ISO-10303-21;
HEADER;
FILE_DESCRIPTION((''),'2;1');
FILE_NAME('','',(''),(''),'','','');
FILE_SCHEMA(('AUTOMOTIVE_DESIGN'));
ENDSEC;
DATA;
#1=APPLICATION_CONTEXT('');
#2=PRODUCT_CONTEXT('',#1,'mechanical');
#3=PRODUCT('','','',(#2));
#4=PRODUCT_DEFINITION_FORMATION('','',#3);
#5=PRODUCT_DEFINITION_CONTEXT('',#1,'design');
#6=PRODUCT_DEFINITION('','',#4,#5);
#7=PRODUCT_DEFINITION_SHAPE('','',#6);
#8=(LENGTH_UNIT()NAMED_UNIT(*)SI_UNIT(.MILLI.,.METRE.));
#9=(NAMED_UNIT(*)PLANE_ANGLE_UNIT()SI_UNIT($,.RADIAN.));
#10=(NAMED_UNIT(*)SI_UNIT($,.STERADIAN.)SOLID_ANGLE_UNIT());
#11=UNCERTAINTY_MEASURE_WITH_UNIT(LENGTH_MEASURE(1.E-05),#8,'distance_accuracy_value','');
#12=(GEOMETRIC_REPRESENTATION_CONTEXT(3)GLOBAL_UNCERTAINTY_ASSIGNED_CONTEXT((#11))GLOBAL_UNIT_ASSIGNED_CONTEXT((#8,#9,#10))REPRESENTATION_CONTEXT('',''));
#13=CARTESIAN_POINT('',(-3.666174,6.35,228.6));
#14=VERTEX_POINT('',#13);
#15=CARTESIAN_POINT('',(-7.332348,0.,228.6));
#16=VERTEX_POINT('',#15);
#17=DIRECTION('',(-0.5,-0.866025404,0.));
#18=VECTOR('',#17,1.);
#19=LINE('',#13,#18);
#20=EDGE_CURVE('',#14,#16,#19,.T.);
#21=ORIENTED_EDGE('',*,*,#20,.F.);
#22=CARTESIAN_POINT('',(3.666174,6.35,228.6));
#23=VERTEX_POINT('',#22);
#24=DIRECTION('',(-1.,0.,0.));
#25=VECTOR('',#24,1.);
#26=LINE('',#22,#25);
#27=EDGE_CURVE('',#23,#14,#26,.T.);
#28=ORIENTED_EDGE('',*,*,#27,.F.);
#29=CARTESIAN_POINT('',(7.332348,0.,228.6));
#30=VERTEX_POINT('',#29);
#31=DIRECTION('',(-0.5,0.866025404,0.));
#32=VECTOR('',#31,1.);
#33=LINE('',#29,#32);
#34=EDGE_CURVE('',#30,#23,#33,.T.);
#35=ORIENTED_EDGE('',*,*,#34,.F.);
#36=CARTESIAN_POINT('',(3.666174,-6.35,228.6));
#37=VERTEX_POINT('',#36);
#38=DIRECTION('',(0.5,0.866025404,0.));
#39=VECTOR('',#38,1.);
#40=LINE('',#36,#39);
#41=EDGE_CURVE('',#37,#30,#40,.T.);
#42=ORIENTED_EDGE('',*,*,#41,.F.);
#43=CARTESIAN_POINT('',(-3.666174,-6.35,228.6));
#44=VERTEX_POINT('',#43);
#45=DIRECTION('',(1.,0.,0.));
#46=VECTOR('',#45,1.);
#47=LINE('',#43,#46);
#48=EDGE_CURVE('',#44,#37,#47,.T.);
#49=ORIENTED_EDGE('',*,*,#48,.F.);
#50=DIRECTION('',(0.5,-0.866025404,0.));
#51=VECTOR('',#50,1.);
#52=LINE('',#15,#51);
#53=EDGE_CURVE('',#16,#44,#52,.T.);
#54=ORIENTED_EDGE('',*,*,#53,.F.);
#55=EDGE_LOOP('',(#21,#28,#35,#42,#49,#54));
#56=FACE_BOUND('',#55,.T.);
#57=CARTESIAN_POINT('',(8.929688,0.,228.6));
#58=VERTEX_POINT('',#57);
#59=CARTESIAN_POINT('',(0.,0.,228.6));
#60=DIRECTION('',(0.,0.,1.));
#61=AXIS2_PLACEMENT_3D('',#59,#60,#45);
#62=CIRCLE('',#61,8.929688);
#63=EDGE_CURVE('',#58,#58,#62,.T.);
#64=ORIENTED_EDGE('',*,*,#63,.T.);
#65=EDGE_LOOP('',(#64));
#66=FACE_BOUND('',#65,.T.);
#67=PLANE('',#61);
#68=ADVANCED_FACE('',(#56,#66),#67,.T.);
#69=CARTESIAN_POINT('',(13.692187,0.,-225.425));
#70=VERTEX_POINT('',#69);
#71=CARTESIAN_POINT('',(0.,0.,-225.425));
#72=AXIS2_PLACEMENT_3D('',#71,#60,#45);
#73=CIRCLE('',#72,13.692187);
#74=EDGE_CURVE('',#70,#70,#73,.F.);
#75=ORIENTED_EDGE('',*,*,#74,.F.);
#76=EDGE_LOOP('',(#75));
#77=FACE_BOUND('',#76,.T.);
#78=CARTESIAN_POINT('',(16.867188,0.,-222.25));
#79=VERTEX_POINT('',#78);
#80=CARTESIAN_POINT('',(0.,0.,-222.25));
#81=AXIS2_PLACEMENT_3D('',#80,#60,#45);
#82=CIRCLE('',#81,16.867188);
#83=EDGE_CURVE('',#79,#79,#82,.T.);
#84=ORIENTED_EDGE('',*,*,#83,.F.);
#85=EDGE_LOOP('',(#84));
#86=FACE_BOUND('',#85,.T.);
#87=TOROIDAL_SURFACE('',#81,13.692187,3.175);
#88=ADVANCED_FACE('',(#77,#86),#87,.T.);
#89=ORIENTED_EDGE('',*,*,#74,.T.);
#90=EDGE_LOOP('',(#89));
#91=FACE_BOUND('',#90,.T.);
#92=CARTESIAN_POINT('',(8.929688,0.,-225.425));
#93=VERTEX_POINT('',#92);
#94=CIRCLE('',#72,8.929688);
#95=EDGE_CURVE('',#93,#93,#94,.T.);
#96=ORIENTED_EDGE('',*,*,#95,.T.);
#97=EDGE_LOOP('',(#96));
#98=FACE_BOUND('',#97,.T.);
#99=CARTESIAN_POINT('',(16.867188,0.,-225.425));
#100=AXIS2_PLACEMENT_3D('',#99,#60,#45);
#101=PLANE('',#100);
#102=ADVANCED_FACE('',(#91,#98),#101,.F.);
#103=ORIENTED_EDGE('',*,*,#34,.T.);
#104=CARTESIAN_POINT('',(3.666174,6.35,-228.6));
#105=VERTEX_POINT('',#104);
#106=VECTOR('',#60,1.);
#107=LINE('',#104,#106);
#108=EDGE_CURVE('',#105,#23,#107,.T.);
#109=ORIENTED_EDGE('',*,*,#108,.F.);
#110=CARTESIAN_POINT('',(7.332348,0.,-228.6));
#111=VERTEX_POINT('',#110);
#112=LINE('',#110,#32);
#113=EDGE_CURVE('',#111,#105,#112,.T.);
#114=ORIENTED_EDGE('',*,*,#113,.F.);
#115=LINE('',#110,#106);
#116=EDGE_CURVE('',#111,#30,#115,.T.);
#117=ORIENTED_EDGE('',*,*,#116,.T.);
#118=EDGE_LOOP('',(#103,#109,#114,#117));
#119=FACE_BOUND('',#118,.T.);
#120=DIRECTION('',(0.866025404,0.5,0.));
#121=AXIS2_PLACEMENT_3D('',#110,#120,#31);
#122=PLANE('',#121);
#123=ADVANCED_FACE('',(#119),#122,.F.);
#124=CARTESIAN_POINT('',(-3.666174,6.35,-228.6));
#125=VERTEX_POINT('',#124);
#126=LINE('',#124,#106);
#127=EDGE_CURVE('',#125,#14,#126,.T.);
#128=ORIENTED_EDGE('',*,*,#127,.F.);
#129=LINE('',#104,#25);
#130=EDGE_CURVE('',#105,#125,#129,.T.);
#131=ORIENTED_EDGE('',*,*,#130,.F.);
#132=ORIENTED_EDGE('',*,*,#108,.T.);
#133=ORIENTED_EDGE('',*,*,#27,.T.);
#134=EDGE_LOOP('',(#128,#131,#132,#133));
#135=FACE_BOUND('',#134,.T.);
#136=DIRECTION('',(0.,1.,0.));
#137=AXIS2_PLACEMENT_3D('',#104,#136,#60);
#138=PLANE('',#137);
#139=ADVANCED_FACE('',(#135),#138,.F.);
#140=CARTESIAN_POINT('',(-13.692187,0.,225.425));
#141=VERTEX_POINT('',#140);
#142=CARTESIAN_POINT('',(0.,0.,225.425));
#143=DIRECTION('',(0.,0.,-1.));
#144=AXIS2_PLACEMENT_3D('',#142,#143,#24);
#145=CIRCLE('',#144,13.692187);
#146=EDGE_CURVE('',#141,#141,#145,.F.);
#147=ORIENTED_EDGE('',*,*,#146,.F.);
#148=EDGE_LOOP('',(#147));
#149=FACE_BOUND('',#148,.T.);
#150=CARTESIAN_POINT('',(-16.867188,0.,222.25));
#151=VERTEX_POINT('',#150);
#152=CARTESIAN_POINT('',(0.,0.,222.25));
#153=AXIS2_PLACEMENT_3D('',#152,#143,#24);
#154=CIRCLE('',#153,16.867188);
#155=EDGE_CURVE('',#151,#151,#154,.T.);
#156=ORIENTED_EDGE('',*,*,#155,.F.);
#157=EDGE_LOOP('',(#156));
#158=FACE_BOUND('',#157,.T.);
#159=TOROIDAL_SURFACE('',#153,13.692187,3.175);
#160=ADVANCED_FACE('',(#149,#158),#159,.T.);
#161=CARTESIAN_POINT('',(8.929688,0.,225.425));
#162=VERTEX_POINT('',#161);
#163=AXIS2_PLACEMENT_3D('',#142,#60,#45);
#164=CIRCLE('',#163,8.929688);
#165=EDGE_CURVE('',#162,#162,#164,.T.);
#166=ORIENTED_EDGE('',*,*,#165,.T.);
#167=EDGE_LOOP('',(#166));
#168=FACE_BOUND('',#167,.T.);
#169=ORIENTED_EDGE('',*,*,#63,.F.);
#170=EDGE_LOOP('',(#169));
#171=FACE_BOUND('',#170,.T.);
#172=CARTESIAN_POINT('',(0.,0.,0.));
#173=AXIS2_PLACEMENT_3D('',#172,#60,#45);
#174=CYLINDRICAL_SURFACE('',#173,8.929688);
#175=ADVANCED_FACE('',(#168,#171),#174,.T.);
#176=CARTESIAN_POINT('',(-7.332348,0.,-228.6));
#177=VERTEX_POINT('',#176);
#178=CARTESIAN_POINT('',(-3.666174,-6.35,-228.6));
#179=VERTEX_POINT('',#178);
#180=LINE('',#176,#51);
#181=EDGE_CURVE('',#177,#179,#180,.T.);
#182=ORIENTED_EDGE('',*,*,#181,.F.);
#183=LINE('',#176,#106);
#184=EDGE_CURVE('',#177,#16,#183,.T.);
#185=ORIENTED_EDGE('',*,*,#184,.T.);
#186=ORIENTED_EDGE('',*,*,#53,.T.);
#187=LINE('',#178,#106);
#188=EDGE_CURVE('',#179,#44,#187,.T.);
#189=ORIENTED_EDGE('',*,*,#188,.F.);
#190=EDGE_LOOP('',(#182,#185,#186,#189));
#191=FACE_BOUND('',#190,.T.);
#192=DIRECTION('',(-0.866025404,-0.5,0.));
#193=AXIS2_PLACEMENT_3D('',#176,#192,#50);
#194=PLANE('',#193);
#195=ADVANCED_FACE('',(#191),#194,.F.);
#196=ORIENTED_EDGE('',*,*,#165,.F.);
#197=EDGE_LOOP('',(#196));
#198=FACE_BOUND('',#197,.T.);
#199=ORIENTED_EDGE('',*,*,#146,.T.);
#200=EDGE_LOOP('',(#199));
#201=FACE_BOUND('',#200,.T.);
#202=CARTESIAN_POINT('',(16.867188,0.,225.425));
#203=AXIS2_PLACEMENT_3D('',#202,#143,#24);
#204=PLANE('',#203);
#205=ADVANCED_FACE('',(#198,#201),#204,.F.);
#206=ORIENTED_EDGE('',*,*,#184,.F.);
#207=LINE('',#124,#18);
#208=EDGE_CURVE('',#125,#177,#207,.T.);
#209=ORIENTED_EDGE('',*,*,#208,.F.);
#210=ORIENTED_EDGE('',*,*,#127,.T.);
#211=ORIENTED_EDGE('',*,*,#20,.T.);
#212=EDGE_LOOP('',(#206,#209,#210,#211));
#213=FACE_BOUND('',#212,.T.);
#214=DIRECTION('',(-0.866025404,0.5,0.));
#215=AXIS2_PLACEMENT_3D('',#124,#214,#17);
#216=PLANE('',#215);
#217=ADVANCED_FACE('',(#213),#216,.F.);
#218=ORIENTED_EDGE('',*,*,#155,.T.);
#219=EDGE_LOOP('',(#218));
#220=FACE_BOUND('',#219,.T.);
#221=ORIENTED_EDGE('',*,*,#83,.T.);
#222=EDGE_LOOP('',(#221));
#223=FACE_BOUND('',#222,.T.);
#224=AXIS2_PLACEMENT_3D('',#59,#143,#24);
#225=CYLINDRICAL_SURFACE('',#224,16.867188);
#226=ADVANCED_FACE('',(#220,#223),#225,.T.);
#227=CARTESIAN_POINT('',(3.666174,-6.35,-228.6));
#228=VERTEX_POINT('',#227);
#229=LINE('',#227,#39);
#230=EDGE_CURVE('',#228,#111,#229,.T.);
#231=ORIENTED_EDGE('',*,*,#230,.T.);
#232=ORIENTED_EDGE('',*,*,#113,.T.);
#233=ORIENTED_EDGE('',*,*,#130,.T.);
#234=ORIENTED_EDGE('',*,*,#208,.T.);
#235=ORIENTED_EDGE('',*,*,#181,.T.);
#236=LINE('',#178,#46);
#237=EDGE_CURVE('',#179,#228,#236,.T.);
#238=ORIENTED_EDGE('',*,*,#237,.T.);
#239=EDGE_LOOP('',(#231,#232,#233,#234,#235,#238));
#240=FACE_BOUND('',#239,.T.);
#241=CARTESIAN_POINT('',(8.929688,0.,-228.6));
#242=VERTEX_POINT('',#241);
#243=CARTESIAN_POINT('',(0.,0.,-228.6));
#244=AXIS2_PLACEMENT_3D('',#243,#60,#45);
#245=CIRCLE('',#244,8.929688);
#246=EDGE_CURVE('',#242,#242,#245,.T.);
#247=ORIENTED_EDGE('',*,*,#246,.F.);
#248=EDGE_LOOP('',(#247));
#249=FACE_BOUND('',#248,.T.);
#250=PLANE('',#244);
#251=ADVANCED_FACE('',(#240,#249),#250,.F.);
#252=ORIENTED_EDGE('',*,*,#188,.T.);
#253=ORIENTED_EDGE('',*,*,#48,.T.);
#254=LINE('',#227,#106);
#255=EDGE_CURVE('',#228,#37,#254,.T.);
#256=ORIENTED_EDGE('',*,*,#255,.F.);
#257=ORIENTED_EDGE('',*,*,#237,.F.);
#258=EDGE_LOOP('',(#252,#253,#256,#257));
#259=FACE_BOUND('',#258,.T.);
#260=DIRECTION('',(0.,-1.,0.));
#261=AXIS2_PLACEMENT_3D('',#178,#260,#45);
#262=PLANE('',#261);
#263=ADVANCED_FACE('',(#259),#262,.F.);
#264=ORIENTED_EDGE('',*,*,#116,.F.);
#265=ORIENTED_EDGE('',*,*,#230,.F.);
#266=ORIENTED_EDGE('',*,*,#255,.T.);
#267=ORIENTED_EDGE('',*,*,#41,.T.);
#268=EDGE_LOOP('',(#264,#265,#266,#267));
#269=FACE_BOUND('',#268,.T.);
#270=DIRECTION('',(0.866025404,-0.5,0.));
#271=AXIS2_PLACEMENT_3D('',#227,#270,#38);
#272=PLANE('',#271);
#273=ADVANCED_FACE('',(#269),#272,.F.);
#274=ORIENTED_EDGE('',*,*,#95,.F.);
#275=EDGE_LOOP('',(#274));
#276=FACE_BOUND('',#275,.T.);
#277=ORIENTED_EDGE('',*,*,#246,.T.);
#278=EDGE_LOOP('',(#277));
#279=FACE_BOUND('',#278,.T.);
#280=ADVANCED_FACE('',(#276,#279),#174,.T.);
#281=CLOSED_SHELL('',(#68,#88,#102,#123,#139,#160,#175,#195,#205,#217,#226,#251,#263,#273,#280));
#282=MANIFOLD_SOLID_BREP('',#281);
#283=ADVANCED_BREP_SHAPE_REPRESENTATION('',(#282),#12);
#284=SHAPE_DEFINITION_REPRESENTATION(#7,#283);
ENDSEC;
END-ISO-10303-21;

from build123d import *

# Parameters (mm, degrees)
SKETCH1_R           = 16.8671875
BOSS_EXTRUDE1_DEPTH = 228.6
SKETCH2_W           = 7.9375
SKETCH2_H           = 3.175
FILLET1_R           = 3.175
CUT_EXTRUDE1_DEPTH  = 458.821847482


with BuildPart() as part:
    # Sketch1 → Boss-Extrude1 (new, symmetric)
    with BuildSketch(Plane.XY):
        Circle(SKETCH1_R)
    extrude(amount=BOSS_EXTRUDE1_DEPTH, both=True)

    # Sketch2 → Cut-Revolve1 (revolve, cut)
    with BuildSketch(Plane(origin=(0, 0, 0), x_dir=(1, 0, 0), z_dir=(0, 1, 0))):
        with Locations((12.8984375, -227.0125)):
            Rectangle(SKETCH2_W, SKETCH2_H)
        with Locations((12.8984375, 227.0125)):
            Rectangle(SKETCH2_W, SKETCH2_H)
    revolve(axis=Axis((0, 0, 0), (0, 0, -1)), mode=Mode.SUBTRACT)

    # Fillet1
    fillet1_edges = [part.edges().sort_by_distance(p)[0] for p in [
        (-16.8671875, 0, -225.425),
        (-16.8671875, 0, 225.425),
    ]]
    fillet(fillet1_edges, radius=FILLET1_R)

    # Sketch3 → Cut-Extrude1 (cut, through all)
    with BuildSketch(Plane.XY.offset(228.6)):
        Polygon((7.332348419, 0), (3.666174209, 6.35), (-3.666174209, 6.35), (-7.332348419, 0), (-3.666174209, -6.35), (3.666174209, -6.35), align=None)
    extrude(amount=-CUT_EXTRUDE1_DEPTH, mode=Mode.SUBTRACT)


solid = part.part
